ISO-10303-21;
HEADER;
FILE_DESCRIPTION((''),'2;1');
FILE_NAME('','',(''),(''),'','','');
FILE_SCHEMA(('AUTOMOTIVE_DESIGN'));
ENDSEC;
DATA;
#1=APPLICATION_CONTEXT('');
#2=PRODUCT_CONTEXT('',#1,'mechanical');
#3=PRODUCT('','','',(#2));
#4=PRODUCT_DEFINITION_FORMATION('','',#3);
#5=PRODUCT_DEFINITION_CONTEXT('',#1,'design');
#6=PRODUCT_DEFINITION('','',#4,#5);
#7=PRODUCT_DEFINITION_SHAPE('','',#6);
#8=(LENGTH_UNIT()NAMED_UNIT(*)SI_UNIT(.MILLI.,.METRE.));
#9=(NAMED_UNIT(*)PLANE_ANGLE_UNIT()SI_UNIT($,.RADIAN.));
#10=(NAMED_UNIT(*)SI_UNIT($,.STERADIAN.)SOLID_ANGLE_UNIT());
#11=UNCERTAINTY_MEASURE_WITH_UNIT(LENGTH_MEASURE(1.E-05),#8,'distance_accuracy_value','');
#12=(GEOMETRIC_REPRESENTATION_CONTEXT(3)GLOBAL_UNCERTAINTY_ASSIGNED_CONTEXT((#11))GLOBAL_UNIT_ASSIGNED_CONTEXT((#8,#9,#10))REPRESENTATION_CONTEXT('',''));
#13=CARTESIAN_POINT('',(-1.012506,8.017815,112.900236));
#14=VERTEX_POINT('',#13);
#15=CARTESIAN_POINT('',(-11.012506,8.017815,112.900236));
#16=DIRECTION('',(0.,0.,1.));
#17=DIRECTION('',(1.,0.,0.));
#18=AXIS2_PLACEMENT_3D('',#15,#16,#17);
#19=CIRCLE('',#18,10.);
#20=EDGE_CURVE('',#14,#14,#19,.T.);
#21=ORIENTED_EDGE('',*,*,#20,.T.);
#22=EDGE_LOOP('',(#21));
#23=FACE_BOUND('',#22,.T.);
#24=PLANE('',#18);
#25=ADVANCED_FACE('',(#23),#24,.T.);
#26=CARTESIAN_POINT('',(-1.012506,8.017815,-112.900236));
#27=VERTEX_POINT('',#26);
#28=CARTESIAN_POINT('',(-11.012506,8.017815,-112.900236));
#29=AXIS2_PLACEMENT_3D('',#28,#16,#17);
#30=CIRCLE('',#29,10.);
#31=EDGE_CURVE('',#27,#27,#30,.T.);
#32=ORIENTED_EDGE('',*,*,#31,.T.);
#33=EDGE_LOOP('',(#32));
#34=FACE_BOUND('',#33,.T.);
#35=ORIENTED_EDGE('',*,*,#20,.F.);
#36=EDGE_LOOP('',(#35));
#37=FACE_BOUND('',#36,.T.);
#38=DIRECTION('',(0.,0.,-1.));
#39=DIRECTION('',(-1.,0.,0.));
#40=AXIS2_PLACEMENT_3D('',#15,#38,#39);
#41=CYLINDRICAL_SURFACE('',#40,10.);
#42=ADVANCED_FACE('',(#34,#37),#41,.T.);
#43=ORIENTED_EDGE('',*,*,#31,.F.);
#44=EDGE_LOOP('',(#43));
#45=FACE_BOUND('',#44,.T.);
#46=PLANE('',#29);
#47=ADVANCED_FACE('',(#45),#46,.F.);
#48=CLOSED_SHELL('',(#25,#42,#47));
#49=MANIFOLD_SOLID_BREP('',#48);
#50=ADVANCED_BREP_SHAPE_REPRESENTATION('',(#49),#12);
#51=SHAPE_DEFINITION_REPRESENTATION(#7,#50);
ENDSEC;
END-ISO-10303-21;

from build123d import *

# Parameters (mm, degrees)
SKETCH1_R           = 10
BOSS_EXTRUDE1_DEPTH = 112.900235935


with BuildPart() as part:
    # Sketch1 → Boss-Extrude1 (new body, symmetric)
    with BuildSketch(Plane.XY):
        with Locations((-11.012505787, 8.017814855)):
            Circle(SKETCH1_R)
    extrude(amount=BOSS_EXTRUDE1_DEPTH, both=True)


solid = part.part
